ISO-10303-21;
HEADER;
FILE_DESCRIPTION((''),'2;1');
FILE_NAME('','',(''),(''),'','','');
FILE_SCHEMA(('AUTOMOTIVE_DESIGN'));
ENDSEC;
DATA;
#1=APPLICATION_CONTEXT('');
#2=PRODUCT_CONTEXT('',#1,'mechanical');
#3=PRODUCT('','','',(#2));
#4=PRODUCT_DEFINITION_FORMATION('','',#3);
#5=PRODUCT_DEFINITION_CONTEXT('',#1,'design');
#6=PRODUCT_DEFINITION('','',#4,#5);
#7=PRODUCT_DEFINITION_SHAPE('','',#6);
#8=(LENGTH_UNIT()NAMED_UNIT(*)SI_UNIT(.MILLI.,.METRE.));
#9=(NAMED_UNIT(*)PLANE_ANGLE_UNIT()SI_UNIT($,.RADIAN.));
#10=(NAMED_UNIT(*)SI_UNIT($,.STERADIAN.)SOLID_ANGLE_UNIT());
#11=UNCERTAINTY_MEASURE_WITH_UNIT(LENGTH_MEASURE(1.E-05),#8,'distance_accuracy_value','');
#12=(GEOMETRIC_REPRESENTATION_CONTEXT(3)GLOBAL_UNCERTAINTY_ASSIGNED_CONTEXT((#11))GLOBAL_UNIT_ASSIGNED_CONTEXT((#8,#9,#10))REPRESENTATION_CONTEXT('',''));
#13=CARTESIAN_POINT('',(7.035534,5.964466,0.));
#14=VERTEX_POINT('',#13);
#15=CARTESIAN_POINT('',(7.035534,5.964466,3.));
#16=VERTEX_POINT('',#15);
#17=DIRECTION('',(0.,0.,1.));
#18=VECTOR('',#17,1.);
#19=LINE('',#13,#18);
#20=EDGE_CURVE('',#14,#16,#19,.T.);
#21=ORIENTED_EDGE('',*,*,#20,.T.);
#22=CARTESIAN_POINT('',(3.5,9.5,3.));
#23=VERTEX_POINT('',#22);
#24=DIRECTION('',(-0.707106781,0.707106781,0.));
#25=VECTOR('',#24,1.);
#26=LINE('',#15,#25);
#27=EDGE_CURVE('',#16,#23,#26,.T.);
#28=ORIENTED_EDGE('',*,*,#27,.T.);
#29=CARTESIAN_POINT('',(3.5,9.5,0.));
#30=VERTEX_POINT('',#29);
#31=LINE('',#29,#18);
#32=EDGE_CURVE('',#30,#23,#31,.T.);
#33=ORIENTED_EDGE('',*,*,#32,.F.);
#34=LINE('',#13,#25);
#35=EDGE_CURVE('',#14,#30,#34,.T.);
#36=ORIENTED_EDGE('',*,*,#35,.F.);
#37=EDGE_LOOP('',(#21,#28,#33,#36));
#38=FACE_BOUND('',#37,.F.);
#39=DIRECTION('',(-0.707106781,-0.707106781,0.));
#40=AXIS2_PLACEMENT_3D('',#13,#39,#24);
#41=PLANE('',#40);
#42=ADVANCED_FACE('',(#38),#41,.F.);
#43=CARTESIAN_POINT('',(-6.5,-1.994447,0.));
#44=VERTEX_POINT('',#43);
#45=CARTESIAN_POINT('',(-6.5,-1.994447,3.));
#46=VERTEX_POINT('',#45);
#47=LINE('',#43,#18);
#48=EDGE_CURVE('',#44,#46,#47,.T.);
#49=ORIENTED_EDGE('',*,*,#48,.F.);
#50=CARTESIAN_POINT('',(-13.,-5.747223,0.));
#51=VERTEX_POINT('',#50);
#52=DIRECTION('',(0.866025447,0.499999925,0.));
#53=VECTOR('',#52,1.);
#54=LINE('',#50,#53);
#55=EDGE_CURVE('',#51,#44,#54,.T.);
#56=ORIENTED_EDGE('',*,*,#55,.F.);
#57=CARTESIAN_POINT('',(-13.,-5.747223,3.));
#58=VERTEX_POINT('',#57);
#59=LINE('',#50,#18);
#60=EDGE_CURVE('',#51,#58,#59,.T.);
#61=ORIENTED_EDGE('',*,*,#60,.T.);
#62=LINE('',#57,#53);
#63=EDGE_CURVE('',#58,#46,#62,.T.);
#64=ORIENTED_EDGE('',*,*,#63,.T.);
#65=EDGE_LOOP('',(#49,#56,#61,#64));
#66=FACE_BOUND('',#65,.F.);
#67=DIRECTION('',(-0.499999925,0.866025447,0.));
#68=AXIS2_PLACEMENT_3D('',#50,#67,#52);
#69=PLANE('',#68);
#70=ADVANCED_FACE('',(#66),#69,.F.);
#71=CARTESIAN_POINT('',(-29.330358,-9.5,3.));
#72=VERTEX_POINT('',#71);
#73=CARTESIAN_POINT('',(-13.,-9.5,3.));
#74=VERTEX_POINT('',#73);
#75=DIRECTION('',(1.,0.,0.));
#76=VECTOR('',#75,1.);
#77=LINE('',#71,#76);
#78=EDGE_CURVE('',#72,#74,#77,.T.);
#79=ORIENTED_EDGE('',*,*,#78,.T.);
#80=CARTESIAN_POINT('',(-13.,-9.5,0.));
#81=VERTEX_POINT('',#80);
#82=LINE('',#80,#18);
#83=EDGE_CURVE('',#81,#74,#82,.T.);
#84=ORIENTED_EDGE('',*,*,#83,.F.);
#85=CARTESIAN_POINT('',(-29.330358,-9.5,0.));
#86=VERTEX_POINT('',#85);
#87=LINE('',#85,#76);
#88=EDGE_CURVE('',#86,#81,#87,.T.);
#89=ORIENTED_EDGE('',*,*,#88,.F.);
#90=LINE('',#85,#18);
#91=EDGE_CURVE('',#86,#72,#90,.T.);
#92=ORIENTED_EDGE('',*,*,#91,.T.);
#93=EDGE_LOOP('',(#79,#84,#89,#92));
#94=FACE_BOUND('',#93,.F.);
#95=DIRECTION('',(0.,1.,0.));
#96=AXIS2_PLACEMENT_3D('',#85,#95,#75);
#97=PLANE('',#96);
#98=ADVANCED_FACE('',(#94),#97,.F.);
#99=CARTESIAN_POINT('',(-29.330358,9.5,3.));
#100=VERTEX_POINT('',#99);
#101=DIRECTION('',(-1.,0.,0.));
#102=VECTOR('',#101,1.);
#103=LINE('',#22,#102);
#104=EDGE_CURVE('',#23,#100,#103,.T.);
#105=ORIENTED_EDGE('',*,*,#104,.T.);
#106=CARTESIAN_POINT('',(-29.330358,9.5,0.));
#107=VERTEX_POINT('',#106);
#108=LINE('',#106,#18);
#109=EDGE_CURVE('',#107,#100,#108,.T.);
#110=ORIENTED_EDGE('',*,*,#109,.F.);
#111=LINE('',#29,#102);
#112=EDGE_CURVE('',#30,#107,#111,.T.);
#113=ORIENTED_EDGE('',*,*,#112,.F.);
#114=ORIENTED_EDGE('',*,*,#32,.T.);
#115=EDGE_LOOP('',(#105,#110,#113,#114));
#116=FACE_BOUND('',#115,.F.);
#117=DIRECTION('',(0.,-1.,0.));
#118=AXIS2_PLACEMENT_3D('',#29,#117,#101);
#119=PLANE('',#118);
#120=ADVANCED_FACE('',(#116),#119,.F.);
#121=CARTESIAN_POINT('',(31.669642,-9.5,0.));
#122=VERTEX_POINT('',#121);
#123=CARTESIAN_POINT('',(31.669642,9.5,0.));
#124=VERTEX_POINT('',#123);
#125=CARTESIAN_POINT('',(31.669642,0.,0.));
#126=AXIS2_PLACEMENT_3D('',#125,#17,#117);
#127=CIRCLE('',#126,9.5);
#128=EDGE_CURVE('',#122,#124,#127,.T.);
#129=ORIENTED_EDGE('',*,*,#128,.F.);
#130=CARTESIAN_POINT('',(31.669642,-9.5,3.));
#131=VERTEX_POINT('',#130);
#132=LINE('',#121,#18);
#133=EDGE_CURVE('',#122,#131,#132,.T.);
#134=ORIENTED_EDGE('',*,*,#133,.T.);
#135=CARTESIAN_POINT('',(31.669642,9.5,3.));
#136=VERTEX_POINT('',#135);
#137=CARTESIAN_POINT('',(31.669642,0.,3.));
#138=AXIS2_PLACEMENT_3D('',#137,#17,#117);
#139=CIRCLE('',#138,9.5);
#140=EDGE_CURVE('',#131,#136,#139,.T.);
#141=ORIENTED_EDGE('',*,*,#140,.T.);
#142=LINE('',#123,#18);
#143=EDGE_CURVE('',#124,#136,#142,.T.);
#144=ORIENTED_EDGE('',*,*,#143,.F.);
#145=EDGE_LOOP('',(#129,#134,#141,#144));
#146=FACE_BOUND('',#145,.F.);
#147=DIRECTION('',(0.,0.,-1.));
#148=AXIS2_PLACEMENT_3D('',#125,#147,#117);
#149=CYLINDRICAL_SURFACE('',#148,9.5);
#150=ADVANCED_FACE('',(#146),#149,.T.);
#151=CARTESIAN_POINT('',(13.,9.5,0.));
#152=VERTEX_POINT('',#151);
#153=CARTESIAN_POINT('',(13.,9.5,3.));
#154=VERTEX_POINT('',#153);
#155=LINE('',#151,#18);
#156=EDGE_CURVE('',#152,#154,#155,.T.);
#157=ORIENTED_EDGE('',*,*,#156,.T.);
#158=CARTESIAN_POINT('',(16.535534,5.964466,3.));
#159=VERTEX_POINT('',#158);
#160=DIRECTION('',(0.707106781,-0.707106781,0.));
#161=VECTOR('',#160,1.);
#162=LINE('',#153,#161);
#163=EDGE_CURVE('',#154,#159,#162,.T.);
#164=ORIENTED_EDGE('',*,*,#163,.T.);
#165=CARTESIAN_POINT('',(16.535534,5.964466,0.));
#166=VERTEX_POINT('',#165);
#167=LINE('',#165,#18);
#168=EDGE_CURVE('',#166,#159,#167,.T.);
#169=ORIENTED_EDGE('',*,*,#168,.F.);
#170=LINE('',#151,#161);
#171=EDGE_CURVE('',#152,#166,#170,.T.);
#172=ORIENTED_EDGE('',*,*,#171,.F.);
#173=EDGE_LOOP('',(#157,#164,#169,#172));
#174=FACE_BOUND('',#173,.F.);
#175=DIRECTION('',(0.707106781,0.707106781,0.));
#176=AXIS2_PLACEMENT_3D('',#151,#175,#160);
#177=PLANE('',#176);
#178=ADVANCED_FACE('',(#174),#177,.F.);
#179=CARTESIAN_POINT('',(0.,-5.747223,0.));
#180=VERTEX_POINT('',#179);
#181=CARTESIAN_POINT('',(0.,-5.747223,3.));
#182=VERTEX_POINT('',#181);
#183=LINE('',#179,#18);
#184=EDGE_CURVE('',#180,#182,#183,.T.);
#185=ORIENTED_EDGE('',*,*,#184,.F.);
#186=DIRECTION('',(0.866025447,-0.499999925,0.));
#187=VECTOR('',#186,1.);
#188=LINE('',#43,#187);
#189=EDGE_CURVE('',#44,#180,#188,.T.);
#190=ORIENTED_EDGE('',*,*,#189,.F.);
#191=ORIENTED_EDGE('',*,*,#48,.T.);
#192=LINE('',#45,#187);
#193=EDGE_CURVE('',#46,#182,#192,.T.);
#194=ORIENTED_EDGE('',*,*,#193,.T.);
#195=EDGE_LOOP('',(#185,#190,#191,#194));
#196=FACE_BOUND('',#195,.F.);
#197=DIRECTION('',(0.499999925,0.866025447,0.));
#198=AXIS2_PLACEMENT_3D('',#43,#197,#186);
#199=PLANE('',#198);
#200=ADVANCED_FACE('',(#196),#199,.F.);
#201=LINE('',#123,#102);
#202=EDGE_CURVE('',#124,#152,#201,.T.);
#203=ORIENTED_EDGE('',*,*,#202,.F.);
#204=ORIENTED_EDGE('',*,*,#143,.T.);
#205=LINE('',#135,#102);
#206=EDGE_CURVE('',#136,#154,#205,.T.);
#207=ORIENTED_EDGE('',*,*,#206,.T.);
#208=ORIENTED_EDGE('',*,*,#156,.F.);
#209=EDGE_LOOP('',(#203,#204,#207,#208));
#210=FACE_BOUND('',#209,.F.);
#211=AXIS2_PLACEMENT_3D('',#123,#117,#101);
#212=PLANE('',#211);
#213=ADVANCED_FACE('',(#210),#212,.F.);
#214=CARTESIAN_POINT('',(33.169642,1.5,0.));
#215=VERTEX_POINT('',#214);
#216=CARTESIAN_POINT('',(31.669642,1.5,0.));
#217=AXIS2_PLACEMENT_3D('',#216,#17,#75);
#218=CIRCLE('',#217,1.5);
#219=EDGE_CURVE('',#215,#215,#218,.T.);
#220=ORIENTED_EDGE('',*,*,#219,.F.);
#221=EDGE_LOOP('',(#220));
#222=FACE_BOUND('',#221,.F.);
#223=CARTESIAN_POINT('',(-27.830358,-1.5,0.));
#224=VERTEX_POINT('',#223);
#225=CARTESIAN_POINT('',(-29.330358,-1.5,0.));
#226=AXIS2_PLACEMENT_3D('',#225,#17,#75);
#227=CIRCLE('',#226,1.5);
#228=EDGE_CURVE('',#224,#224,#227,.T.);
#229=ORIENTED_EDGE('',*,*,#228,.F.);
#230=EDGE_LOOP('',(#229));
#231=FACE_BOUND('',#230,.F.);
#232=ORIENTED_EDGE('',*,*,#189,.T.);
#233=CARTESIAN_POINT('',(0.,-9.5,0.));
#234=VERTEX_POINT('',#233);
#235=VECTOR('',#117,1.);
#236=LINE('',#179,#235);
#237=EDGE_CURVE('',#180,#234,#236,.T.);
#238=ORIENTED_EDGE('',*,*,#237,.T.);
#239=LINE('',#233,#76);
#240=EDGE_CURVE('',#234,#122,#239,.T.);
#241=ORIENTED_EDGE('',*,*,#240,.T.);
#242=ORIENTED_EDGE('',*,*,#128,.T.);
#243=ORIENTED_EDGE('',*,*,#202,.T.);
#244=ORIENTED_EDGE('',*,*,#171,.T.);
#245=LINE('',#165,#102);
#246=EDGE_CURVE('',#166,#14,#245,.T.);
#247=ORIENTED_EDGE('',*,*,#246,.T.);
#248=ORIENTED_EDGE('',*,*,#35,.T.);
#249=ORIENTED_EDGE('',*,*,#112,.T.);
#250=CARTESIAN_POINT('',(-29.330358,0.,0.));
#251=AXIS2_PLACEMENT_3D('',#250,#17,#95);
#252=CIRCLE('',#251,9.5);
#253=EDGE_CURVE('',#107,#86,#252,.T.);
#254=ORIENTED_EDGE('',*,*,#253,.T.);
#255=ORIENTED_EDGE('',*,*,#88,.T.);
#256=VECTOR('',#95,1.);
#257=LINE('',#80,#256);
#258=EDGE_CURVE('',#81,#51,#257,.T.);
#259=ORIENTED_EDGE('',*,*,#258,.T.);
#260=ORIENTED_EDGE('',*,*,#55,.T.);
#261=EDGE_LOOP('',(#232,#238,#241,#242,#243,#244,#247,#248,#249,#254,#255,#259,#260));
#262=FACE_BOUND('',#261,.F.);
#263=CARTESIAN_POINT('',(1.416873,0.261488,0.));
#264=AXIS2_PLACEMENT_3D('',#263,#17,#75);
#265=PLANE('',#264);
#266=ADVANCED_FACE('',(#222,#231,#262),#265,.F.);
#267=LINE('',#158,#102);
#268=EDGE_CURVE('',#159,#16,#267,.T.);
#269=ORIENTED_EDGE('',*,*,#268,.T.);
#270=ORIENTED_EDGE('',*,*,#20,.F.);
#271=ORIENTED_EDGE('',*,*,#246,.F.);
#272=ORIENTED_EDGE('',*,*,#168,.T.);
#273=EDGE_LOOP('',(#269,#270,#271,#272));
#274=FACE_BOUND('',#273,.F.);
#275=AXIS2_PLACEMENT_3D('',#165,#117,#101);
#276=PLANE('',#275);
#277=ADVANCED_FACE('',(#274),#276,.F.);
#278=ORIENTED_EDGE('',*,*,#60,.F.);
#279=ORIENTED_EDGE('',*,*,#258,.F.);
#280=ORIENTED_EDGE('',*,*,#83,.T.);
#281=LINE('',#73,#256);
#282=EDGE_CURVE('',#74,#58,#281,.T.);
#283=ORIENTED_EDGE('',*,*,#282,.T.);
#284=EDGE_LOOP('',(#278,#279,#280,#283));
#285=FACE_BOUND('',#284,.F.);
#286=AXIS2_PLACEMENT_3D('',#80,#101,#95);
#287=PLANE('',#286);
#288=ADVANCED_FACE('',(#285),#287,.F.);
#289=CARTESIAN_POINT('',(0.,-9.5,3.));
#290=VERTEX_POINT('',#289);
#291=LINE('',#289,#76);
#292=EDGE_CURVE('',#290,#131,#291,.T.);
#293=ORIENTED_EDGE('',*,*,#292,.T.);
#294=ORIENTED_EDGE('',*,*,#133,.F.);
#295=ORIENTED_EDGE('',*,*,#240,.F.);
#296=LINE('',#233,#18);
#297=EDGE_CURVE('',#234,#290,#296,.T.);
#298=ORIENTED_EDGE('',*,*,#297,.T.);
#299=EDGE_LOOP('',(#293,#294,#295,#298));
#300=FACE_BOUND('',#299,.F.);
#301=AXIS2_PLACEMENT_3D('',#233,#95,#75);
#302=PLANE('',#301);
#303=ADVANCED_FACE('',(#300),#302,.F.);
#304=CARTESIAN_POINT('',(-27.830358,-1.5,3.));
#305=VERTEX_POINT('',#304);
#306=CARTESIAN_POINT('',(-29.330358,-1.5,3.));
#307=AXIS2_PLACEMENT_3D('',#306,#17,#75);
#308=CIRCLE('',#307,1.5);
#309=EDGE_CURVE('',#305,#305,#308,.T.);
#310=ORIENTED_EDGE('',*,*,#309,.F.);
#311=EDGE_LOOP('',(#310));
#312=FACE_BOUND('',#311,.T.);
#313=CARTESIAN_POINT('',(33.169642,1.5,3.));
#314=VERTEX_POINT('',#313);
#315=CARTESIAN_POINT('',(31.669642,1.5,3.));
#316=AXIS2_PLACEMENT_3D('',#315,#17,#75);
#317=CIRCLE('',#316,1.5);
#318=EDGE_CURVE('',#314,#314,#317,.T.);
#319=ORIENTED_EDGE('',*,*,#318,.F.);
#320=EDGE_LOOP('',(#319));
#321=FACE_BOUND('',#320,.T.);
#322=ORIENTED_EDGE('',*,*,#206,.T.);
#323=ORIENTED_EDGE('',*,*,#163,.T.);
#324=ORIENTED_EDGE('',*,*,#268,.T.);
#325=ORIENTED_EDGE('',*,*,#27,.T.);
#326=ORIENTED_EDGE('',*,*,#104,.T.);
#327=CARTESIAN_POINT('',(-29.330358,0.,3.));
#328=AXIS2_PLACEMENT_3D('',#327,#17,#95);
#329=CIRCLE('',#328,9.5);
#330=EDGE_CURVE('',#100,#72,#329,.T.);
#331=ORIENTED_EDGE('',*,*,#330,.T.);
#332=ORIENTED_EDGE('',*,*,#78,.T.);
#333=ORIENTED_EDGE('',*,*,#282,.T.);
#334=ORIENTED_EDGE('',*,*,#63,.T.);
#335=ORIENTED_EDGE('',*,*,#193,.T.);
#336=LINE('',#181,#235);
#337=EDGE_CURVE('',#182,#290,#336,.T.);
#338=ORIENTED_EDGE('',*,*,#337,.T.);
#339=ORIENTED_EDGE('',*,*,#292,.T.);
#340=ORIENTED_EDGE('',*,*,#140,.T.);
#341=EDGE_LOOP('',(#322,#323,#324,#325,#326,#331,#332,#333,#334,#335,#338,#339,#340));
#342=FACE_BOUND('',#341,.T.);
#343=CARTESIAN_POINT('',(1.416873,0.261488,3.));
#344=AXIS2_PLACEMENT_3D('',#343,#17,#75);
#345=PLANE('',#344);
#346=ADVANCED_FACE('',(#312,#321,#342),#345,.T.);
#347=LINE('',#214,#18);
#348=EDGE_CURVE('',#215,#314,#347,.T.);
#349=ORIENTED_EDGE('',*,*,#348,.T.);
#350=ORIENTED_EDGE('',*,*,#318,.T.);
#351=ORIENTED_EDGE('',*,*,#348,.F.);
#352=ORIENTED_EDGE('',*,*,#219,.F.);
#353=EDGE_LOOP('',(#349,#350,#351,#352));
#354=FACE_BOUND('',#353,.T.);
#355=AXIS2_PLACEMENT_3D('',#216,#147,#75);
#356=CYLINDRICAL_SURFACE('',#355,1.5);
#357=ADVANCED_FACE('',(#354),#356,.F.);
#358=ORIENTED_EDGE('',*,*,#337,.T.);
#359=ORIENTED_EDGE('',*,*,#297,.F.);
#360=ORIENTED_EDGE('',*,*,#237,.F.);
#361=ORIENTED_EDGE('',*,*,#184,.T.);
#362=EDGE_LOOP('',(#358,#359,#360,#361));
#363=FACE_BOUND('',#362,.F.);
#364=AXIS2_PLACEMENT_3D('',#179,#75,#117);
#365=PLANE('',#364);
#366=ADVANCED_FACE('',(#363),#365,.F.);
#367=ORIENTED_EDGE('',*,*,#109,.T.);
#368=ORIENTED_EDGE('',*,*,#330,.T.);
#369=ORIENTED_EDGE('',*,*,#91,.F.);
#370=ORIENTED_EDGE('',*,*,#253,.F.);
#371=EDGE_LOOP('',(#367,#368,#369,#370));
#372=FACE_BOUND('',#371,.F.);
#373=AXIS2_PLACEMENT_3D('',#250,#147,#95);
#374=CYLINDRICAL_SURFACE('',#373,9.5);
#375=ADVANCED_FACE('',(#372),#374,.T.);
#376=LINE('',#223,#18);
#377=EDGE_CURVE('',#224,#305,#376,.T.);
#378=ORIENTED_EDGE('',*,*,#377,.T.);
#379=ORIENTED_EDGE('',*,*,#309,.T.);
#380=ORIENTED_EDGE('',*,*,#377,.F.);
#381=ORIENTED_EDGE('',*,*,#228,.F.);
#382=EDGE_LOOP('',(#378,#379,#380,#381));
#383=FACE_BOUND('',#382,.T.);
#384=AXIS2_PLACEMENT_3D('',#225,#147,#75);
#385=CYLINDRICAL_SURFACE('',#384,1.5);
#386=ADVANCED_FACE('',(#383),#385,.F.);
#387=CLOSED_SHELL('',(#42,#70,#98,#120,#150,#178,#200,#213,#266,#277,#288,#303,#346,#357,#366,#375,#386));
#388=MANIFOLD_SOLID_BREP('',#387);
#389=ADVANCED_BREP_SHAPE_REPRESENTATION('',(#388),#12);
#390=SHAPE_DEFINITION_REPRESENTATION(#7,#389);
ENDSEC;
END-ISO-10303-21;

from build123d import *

# Parameters (mm, degrees)
F0_R     = 1.5
F1_DEPTH = 3


with BuildPart() as f1:
    # F0 (on Top) → F1 (new body)
    with BuildSketch(Plane.XY):
        with BuildLine():
            Line((0, 9.5), (-29.330358, 9.5))
            ThreePointArc((-29.330358, 9.5), (-38.830358, 0), (-29.330358, -9.5))
            Line((-29.330358, -9.5), (-18, -9.5))
            Line((-18, -9.5), (-13, -9.5))
            Line((-13, -9.5), (-13, -5.747223))
            Line((-13, -5.747223), (-6.5, -1.994447))
            Line((-6.5, -1.994447), (0, -5.747223))
            Line((0, -5.747223), (0, -9.5))
            Line((0, -9.5), (31.669642, -9.5))
            ThreePointArc((31.669642, -9.5), (41.169642, 0), (31.669642, 9.5))
            Line((31.669642, 9.5), (18, 9.5))
            Line((18, 9.5), (13, 9.5))
            Line((13, 9.5), (16.535534, 5.964466))
            Line((16.535534, 5.964466), (7.035534, 5.964466))
            Line((7.035534, 5.964466), (3.5, 9.5))
            Line((3.5, 9.5), (0, 9.5))
        make_face()
        with Locations((-29.330358, -1.5)):
            Circle(F0_R, mode=Mode.SUBTRACT)
        with Locations((31.669642, 1.5)):
            Circle(F0_R, mode=Mode.SUBTRACT)
    extrude(amount=F1_DEPTH)


solid = f1.part
